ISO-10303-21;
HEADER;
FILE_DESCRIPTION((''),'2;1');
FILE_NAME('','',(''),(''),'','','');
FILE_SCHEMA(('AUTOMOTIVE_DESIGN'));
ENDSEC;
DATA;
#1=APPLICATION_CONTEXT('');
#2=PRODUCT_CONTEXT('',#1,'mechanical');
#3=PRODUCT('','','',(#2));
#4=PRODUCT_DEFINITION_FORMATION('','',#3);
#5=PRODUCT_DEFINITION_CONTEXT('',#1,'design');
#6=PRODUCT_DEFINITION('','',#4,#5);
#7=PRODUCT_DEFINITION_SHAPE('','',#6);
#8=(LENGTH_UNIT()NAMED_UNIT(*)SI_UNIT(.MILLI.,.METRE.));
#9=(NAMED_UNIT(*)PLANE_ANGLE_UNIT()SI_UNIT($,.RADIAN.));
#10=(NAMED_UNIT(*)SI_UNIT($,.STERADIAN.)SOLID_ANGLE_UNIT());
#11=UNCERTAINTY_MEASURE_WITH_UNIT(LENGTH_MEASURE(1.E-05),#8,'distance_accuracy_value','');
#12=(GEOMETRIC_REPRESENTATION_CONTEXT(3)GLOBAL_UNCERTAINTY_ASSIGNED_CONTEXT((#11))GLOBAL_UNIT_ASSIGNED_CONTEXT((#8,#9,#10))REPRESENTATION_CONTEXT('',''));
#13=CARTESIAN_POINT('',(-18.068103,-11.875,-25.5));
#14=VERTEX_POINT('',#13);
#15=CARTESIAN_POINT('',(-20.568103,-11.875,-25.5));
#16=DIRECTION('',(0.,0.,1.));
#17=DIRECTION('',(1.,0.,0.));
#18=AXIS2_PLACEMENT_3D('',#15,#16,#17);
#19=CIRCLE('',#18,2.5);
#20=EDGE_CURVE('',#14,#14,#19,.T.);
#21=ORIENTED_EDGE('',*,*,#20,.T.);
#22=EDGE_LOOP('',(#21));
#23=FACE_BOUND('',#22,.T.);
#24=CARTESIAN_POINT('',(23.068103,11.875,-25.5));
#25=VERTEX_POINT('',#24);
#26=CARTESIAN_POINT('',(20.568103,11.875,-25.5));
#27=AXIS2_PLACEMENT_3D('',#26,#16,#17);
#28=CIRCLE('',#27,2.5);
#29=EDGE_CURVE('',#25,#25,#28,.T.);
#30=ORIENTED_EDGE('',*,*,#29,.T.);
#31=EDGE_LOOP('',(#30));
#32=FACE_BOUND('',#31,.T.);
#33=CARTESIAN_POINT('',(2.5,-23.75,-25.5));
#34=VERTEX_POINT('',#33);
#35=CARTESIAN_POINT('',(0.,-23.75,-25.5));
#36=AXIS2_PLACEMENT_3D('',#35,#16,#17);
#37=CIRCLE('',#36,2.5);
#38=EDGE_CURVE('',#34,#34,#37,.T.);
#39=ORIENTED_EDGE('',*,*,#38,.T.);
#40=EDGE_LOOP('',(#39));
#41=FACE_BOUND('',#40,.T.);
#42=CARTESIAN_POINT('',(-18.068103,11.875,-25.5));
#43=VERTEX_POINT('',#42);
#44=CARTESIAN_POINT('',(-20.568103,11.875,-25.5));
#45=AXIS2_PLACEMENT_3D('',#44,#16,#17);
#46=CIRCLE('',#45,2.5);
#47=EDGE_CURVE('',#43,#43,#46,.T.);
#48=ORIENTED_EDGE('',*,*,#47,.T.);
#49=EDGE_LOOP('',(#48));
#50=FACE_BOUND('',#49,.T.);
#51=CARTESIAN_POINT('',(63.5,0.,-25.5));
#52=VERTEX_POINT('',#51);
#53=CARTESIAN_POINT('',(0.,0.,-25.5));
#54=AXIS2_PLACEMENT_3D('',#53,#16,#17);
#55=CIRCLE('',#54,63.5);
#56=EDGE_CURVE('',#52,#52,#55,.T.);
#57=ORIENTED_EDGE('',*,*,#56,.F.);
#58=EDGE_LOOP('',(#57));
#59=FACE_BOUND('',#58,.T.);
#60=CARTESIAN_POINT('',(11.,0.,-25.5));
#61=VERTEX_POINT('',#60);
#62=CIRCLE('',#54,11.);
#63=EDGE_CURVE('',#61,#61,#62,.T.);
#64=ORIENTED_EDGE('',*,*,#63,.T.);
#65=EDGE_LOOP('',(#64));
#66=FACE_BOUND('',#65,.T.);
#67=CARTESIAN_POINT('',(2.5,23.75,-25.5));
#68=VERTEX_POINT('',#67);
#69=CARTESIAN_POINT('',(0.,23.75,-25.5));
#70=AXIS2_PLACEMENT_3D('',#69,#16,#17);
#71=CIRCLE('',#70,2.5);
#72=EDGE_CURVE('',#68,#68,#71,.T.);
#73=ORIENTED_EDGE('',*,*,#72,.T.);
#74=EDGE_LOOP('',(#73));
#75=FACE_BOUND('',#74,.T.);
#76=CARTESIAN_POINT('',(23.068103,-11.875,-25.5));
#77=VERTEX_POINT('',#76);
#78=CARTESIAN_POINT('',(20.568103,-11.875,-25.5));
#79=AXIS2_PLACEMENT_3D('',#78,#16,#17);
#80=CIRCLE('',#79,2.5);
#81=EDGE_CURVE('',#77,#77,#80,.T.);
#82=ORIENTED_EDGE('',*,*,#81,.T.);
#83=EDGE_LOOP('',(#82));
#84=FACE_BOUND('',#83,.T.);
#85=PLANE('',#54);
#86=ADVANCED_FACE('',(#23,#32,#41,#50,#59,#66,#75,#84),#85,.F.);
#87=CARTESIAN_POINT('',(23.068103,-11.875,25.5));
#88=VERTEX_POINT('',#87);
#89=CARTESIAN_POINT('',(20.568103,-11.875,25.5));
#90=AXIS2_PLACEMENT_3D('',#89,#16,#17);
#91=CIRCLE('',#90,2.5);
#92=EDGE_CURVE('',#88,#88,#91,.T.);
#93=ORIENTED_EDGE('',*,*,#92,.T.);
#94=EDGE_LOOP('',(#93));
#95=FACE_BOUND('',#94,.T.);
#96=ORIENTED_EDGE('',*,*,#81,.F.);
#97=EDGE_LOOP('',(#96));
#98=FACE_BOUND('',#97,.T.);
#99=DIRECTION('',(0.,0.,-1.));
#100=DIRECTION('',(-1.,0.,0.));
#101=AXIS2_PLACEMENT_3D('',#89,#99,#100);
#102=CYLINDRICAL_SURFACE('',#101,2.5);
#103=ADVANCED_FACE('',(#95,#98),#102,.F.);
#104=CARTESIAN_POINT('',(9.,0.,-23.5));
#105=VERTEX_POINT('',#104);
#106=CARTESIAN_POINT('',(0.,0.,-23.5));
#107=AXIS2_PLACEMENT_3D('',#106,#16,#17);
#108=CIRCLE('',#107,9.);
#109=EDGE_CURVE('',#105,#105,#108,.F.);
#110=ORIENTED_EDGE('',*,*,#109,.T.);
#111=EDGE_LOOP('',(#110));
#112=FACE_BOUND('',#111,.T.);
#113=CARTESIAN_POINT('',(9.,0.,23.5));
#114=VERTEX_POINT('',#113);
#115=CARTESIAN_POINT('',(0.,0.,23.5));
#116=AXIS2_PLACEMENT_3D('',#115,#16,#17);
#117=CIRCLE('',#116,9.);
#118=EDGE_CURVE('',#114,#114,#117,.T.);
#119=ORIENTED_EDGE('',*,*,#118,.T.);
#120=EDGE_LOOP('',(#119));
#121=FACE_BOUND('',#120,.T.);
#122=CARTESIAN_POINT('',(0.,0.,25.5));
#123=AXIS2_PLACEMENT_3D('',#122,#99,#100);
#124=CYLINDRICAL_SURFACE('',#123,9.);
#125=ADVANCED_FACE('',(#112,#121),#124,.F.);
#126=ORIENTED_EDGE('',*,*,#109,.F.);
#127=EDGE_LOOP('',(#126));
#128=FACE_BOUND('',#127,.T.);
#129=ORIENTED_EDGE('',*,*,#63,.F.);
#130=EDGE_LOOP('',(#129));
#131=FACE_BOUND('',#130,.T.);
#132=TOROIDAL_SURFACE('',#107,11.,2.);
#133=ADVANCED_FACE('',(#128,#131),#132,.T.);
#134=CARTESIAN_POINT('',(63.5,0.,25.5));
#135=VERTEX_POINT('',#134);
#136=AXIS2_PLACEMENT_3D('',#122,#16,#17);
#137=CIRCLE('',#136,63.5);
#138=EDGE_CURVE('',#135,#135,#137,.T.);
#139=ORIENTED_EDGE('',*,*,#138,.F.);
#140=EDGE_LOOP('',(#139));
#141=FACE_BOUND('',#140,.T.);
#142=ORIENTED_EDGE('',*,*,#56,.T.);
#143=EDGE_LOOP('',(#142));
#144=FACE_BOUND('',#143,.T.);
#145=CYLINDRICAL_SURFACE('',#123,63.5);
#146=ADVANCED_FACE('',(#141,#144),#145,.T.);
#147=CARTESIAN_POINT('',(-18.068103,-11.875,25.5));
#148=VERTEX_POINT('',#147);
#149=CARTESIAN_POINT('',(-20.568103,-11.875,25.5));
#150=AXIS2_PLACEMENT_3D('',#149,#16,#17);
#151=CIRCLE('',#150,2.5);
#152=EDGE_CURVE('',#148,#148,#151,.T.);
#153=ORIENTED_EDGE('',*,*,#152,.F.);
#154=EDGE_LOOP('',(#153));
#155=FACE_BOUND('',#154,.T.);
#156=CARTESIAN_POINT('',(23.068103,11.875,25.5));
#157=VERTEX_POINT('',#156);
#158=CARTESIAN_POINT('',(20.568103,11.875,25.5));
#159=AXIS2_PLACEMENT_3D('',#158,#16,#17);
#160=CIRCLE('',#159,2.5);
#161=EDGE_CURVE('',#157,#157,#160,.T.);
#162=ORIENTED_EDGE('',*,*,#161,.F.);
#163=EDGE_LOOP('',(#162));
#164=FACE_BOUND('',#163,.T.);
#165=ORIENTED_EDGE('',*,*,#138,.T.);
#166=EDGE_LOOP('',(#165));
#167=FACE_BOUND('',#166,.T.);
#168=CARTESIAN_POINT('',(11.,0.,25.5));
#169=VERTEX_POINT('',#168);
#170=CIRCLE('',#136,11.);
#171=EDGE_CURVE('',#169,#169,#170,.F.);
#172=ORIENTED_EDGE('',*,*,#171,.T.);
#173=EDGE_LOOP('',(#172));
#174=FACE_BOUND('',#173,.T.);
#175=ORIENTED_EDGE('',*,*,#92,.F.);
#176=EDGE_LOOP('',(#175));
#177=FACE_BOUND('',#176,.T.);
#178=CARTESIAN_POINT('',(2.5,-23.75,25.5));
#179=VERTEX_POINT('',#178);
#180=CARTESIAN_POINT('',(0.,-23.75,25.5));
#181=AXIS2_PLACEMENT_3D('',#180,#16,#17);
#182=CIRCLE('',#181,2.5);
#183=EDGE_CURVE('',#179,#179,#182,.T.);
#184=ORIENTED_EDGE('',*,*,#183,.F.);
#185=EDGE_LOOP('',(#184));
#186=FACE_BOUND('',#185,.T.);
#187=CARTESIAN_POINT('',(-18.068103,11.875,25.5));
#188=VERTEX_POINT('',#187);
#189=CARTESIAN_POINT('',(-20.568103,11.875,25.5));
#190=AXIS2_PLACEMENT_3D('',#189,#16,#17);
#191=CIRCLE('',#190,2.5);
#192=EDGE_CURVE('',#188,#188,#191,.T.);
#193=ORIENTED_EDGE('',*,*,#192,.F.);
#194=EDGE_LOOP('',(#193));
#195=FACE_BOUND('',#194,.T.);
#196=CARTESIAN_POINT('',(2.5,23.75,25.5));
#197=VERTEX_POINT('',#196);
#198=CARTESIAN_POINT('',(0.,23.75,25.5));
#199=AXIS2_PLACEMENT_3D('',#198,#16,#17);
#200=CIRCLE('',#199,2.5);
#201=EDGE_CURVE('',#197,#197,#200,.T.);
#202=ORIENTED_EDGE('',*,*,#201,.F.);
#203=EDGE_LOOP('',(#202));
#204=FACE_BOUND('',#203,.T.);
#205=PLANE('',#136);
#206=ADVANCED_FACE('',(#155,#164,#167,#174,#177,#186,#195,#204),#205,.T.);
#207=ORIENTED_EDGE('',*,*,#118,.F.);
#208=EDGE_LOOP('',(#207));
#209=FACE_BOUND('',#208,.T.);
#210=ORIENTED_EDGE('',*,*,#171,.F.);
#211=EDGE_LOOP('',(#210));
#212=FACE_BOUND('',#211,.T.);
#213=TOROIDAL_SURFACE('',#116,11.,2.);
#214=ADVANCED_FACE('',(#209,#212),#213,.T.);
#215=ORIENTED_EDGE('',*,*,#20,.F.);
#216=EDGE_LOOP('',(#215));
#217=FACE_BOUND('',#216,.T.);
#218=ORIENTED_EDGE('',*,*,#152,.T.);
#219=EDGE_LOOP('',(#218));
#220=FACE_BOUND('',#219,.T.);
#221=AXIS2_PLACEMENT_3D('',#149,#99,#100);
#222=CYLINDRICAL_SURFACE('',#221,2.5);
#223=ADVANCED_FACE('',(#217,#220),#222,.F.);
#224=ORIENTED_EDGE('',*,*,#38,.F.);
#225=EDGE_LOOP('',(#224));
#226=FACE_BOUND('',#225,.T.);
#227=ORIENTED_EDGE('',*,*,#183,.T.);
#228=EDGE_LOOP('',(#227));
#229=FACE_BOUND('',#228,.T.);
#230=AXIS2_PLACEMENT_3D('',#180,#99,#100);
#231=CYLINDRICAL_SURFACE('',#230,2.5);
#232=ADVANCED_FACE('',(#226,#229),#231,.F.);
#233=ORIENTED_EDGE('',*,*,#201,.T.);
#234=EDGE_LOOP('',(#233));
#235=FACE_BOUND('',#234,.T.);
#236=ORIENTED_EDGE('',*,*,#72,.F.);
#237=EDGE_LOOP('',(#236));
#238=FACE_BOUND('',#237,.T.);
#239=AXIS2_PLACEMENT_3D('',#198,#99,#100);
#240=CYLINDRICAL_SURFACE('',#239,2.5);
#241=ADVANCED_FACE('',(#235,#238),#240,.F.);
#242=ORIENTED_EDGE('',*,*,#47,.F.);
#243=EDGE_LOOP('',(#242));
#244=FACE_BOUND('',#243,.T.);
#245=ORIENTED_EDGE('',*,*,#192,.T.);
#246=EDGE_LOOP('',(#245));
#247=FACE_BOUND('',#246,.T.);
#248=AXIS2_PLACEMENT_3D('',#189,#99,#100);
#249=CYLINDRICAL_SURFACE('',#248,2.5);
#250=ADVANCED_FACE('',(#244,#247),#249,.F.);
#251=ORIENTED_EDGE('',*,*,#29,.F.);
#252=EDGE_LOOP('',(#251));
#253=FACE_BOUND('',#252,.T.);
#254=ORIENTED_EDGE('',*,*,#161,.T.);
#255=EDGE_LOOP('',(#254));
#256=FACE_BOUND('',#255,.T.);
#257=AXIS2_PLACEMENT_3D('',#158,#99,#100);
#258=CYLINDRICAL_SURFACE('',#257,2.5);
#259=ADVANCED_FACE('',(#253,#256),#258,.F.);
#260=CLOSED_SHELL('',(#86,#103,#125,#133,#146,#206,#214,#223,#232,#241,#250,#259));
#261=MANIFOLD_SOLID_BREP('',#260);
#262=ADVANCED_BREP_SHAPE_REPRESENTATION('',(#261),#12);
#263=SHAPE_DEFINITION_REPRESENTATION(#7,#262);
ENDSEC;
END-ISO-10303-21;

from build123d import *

# Parameters (mm, degrees)
SKETCH1_R           = 63.5
SKETCH1_R_2         = 9
SKETCH1_R_3         = 2.5
BOSS_EXTRUDE1_DEPTH = 25.5
FILLET1_R           = 2


with BuildPart() as part:
    # Sketch1 → Boss-Extrude1 (new, symmetric)
    with BuildSketch(Plane.XY):
        Circle(SKETCH1_R)
        Circle(SKETCH1_R_2, mode=Mode.SUBTRACT)
        with Locations((0, 23.75)):
            Circle(SKETCH1_R_3, mode=Mode.SUBTRACT)
        with Locations((20.56810334, 11.875)):
            Circle(SKETCH1_R_3, mode=Mode.SUBTRACT)
        with Locations((20.56810334, -11.875)):
            Circle(SKETCH1_R_3, mode=Mode.SUBTRACT)
        with Locations((0, -23.75)):
            Circle(SKETCH1_R_3, mode=Mode.SUBTRACT)
        with Locations((-20.56810334, -11.875)):
            Circle(SKETCH1_R_3, mode=Mode.SUBTRACT)
        with Locations((-20.56810334, 11.875)):
            Circle(SKETCH1_R_3, mode=Mode.SUBTRACT)
    extrude(amount=BOSS_EXTRUDE1_DEPTH, both=True)

    # Fillet1
    fillet1_edges = [part.edges().sort_by_distance(p)[0] for p in [
        (-9, 0, -25.5),
        (-9, 0, 25.5),
    ]]
    fillet(fillet1_edges, radius=FILLET1_R)


solid = part.part
